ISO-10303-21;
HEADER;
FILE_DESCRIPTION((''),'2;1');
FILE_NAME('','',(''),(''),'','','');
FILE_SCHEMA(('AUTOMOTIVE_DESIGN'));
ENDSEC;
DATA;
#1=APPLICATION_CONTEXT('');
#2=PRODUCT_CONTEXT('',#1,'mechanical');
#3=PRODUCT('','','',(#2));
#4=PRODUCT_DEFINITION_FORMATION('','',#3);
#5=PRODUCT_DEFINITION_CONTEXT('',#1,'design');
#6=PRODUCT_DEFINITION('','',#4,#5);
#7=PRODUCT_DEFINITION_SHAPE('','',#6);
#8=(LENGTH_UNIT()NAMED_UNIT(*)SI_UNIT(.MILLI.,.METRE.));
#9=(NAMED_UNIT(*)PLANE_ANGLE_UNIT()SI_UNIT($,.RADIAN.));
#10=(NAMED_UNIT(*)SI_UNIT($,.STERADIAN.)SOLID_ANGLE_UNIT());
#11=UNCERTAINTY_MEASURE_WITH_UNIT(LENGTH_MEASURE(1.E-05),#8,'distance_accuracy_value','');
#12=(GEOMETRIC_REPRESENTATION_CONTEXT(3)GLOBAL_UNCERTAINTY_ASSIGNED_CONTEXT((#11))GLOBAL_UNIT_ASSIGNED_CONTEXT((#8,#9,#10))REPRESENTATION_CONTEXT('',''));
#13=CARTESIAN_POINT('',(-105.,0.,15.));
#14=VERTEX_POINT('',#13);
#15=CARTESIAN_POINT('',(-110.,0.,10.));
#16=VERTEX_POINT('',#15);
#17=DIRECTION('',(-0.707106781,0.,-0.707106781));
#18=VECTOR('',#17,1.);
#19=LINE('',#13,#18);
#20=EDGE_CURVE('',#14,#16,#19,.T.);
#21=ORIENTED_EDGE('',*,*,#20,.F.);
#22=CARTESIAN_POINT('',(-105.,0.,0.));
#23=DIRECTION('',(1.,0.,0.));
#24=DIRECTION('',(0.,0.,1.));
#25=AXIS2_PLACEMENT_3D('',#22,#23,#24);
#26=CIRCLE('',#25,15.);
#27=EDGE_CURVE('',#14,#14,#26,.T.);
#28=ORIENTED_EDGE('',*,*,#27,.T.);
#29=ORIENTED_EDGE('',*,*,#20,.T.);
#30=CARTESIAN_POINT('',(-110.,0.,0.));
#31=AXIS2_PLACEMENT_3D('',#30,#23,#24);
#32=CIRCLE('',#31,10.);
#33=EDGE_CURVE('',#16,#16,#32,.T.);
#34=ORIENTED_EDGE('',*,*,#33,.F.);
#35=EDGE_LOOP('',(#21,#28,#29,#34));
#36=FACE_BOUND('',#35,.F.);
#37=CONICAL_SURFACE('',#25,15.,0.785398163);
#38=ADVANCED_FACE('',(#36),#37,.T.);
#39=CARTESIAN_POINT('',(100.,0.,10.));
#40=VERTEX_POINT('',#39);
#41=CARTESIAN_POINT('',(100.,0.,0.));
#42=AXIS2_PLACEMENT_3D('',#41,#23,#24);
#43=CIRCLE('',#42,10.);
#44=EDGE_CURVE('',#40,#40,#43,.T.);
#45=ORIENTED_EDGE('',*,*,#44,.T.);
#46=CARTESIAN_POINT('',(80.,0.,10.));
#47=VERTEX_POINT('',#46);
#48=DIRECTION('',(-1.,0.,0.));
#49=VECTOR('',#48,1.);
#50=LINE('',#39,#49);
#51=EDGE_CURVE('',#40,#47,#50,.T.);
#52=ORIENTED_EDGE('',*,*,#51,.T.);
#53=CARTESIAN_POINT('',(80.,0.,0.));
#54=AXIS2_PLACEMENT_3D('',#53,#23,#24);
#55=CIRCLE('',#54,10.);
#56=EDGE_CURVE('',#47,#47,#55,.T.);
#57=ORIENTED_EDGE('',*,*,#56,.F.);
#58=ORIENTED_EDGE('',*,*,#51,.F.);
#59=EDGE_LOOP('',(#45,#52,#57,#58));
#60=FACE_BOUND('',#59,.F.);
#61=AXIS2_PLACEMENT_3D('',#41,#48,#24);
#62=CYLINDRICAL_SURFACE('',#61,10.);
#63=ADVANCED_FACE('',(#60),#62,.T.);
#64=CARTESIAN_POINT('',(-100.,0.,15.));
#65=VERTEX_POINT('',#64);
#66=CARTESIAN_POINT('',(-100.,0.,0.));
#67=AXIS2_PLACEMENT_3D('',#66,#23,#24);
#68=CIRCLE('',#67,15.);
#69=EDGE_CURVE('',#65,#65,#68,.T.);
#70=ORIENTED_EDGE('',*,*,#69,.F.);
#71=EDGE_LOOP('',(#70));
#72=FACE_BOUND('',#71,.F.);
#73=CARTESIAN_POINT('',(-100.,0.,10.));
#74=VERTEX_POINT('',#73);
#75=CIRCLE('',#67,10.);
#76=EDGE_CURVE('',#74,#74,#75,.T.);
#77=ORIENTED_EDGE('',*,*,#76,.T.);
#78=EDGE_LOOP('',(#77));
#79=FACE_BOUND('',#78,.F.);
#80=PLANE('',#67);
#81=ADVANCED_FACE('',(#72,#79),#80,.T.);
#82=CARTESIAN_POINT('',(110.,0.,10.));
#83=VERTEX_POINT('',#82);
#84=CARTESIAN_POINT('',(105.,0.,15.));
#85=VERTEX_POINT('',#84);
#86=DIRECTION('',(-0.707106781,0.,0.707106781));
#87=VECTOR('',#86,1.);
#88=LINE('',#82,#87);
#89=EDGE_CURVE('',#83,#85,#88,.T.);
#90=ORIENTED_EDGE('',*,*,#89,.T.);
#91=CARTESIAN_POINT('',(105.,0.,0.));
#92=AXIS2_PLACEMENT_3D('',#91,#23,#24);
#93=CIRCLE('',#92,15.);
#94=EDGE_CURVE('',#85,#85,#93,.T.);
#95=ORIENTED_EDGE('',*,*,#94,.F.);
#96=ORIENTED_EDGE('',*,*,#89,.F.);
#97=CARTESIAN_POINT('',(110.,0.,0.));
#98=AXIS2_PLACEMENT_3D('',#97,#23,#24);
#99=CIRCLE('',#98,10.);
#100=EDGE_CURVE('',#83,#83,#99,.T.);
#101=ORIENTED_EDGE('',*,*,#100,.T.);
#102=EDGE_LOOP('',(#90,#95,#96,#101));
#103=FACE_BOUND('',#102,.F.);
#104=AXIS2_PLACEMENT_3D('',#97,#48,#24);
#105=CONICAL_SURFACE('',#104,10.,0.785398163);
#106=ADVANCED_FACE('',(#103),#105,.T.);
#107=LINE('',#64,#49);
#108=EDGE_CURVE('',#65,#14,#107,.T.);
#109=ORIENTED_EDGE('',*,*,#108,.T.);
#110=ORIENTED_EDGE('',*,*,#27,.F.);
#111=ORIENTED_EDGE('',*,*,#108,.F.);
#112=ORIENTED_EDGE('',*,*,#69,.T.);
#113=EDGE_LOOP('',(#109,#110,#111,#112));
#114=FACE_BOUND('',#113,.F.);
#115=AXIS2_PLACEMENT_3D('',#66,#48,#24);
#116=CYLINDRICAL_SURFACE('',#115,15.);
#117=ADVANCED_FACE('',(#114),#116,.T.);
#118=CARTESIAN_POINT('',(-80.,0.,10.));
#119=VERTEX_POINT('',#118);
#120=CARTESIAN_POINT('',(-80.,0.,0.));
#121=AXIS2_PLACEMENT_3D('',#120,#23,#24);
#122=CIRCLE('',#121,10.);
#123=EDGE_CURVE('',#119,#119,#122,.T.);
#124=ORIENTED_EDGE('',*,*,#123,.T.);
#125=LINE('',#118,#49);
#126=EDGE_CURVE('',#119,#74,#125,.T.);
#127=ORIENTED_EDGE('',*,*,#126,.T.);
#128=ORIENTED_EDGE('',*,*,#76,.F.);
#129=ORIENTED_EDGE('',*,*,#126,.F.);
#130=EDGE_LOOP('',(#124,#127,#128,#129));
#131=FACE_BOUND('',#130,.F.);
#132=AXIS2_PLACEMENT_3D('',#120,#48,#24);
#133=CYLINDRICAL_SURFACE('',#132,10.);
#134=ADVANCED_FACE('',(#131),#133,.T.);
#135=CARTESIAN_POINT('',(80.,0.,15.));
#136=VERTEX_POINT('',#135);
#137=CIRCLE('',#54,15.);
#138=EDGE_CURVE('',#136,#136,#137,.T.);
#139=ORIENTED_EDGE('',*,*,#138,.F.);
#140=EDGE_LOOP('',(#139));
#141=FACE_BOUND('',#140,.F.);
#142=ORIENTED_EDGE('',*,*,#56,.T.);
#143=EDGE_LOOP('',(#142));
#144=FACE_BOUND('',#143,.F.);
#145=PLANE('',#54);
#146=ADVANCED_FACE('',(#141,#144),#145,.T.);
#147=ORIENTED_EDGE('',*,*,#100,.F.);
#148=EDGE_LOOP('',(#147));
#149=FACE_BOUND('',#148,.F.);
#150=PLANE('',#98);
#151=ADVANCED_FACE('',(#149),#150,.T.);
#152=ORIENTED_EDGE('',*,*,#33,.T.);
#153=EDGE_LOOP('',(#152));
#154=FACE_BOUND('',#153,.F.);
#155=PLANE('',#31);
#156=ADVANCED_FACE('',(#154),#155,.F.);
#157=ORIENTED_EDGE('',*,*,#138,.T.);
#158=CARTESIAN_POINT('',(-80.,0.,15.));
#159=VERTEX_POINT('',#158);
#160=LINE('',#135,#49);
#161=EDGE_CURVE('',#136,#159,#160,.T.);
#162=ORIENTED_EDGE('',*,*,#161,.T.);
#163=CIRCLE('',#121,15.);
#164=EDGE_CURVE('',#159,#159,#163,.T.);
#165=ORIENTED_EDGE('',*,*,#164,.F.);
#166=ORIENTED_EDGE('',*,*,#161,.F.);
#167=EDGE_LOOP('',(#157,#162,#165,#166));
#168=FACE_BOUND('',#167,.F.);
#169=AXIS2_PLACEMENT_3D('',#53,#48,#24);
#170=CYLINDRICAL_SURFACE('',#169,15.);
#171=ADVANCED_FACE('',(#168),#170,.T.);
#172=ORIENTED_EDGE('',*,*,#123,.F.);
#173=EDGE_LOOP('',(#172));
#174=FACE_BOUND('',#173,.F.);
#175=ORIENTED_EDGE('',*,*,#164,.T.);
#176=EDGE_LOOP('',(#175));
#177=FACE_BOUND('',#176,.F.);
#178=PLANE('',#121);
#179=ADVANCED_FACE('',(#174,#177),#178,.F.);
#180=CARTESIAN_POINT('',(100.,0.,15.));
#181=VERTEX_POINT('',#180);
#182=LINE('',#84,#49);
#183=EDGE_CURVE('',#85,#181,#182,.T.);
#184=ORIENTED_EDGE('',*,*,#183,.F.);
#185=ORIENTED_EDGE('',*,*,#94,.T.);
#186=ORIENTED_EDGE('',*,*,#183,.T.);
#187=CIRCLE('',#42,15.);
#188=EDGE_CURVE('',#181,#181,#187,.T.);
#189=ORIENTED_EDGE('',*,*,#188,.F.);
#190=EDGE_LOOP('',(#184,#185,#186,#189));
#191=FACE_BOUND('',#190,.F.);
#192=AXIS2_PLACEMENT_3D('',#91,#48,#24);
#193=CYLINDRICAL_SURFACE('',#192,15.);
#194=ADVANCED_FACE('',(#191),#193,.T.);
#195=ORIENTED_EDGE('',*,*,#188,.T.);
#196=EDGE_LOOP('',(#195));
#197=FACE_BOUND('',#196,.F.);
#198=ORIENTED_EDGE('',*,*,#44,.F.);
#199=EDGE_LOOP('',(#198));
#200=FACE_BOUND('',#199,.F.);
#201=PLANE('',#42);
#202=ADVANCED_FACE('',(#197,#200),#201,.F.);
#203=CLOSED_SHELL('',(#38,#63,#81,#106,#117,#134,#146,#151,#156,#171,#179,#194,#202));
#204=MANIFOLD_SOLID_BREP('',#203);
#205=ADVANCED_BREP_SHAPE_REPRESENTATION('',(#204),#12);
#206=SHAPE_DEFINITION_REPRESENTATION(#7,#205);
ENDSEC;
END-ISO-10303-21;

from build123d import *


with BuildPart() as f1:
    # F0 (on Front) → F1 (revolve)
    with BuildSketch(Plane.XZ):
        Polygon((-110, 0), (0, 0), (110, 0), (110, 10), (105, 15), (100, 15), (100, 10), (80, 10), (80, 15), (-80, 15), (-80, 10), (-100, 10), (-100, 15), (-105, 15), (-110, 10), align=None)
    revolve(axis=Axis((-55, 0, 0), (1, 0, 0)))


solid = f1.part
